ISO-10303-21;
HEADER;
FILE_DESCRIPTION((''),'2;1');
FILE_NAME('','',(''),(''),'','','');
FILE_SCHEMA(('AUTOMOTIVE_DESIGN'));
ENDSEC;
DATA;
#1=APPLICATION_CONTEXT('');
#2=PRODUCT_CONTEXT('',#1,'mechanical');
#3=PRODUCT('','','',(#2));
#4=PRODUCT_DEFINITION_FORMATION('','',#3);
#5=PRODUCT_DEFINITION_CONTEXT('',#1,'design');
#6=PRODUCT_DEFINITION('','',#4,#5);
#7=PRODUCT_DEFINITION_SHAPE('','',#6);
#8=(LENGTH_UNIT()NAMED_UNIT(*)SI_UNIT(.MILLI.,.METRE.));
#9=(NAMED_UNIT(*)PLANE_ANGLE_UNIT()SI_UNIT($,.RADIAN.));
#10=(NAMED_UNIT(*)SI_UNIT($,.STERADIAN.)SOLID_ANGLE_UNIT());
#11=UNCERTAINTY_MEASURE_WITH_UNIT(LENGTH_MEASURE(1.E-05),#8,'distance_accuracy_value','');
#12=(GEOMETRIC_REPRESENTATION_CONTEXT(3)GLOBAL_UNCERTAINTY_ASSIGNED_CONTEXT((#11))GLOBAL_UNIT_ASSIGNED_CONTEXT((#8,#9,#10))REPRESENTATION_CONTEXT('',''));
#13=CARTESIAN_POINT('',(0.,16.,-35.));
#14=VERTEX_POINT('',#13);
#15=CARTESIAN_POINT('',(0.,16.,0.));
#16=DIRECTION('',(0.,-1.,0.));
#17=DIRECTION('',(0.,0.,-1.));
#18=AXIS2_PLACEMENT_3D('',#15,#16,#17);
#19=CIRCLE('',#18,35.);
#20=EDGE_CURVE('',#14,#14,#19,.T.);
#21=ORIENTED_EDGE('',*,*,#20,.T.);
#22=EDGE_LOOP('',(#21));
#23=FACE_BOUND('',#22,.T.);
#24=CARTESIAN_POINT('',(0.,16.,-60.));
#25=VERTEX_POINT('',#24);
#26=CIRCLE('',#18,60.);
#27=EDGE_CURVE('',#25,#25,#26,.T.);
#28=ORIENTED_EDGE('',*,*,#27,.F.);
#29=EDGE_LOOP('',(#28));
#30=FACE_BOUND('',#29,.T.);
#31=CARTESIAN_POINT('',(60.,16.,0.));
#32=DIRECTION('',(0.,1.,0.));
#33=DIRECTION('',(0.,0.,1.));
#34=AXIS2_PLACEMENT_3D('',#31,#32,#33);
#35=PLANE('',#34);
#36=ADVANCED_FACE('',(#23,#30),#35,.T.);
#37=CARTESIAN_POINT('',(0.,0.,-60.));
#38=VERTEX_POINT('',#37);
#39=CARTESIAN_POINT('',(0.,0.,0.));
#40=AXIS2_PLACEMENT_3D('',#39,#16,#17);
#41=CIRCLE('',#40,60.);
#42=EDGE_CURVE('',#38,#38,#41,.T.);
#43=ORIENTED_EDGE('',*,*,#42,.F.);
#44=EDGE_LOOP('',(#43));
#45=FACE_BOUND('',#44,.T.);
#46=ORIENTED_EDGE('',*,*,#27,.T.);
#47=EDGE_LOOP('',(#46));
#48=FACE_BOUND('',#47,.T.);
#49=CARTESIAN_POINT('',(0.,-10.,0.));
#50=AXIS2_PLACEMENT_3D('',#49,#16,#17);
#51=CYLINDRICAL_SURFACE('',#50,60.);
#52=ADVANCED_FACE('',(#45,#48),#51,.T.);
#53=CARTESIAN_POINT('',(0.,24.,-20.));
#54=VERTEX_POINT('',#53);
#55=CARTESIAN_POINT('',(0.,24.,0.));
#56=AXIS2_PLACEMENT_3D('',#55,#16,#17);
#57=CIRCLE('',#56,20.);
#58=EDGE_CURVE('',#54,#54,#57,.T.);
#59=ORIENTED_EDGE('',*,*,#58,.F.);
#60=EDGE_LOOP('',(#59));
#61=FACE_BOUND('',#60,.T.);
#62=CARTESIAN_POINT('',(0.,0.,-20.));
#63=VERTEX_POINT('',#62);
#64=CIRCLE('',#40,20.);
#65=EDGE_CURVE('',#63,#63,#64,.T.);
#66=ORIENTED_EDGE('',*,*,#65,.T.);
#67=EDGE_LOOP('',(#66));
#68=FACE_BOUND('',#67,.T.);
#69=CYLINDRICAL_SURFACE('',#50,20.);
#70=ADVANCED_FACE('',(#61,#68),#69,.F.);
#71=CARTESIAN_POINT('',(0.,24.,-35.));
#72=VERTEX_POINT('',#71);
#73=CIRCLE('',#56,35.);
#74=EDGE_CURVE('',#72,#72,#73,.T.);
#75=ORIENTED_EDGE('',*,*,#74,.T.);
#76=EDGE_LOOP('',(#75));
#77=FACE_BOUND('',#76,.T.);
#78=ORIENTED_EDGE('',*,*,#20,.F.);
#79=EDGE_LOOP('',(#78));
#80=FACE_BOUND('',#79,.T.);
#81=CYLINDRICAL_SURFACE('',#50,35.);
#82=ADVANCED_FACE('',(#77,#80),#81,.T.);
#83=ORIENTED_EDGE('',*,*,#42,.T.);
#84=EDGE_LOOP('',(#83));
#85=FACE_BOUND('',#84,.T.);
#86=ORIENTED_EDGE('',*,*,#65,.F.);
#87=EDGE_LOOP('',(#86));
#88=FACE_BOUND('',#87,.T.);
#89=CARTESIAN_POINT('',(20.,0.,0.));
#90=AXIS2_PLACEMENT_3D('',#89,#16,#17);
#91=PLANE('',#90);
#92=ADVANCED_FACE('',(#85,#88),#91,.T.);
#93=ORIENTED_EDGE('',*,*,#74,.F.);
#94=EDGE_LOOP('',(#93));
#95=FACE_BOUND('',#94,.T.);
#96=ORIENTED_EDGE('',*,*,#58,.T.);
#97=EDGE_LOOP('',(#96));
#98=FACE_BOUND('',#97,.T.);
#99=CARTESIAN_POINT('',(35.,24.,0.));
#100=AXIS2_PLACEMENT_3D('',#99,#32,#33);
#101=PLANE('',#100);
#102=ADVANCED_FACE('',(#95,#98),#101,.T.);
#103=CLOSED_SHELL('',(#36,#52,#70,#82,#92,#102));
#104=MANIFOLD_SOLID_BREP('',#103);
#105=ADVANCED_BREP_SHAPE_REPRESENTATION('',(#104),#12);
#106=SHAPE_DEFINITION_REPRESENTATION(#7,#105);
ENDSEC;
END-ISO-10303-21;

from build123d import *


with BuildPart() as part:
    # 草图1 → 旋转1 (revolve)
    with BuildSketch(Plane.XY, mode=Mode.PRIVATE) as revolve_1_sk:
        Polygon((20, 0), (60, 0), (60, 16), (35, 16), (35, 24), (20, 24), align=None)
    revolve(revolve_1_sk.sketch.rotate(Axis((0, -10, 0), (0, 1, 0)), 90), axis=Axis((0, -10, 0), (0, 1, 0)))


solid = part.part
